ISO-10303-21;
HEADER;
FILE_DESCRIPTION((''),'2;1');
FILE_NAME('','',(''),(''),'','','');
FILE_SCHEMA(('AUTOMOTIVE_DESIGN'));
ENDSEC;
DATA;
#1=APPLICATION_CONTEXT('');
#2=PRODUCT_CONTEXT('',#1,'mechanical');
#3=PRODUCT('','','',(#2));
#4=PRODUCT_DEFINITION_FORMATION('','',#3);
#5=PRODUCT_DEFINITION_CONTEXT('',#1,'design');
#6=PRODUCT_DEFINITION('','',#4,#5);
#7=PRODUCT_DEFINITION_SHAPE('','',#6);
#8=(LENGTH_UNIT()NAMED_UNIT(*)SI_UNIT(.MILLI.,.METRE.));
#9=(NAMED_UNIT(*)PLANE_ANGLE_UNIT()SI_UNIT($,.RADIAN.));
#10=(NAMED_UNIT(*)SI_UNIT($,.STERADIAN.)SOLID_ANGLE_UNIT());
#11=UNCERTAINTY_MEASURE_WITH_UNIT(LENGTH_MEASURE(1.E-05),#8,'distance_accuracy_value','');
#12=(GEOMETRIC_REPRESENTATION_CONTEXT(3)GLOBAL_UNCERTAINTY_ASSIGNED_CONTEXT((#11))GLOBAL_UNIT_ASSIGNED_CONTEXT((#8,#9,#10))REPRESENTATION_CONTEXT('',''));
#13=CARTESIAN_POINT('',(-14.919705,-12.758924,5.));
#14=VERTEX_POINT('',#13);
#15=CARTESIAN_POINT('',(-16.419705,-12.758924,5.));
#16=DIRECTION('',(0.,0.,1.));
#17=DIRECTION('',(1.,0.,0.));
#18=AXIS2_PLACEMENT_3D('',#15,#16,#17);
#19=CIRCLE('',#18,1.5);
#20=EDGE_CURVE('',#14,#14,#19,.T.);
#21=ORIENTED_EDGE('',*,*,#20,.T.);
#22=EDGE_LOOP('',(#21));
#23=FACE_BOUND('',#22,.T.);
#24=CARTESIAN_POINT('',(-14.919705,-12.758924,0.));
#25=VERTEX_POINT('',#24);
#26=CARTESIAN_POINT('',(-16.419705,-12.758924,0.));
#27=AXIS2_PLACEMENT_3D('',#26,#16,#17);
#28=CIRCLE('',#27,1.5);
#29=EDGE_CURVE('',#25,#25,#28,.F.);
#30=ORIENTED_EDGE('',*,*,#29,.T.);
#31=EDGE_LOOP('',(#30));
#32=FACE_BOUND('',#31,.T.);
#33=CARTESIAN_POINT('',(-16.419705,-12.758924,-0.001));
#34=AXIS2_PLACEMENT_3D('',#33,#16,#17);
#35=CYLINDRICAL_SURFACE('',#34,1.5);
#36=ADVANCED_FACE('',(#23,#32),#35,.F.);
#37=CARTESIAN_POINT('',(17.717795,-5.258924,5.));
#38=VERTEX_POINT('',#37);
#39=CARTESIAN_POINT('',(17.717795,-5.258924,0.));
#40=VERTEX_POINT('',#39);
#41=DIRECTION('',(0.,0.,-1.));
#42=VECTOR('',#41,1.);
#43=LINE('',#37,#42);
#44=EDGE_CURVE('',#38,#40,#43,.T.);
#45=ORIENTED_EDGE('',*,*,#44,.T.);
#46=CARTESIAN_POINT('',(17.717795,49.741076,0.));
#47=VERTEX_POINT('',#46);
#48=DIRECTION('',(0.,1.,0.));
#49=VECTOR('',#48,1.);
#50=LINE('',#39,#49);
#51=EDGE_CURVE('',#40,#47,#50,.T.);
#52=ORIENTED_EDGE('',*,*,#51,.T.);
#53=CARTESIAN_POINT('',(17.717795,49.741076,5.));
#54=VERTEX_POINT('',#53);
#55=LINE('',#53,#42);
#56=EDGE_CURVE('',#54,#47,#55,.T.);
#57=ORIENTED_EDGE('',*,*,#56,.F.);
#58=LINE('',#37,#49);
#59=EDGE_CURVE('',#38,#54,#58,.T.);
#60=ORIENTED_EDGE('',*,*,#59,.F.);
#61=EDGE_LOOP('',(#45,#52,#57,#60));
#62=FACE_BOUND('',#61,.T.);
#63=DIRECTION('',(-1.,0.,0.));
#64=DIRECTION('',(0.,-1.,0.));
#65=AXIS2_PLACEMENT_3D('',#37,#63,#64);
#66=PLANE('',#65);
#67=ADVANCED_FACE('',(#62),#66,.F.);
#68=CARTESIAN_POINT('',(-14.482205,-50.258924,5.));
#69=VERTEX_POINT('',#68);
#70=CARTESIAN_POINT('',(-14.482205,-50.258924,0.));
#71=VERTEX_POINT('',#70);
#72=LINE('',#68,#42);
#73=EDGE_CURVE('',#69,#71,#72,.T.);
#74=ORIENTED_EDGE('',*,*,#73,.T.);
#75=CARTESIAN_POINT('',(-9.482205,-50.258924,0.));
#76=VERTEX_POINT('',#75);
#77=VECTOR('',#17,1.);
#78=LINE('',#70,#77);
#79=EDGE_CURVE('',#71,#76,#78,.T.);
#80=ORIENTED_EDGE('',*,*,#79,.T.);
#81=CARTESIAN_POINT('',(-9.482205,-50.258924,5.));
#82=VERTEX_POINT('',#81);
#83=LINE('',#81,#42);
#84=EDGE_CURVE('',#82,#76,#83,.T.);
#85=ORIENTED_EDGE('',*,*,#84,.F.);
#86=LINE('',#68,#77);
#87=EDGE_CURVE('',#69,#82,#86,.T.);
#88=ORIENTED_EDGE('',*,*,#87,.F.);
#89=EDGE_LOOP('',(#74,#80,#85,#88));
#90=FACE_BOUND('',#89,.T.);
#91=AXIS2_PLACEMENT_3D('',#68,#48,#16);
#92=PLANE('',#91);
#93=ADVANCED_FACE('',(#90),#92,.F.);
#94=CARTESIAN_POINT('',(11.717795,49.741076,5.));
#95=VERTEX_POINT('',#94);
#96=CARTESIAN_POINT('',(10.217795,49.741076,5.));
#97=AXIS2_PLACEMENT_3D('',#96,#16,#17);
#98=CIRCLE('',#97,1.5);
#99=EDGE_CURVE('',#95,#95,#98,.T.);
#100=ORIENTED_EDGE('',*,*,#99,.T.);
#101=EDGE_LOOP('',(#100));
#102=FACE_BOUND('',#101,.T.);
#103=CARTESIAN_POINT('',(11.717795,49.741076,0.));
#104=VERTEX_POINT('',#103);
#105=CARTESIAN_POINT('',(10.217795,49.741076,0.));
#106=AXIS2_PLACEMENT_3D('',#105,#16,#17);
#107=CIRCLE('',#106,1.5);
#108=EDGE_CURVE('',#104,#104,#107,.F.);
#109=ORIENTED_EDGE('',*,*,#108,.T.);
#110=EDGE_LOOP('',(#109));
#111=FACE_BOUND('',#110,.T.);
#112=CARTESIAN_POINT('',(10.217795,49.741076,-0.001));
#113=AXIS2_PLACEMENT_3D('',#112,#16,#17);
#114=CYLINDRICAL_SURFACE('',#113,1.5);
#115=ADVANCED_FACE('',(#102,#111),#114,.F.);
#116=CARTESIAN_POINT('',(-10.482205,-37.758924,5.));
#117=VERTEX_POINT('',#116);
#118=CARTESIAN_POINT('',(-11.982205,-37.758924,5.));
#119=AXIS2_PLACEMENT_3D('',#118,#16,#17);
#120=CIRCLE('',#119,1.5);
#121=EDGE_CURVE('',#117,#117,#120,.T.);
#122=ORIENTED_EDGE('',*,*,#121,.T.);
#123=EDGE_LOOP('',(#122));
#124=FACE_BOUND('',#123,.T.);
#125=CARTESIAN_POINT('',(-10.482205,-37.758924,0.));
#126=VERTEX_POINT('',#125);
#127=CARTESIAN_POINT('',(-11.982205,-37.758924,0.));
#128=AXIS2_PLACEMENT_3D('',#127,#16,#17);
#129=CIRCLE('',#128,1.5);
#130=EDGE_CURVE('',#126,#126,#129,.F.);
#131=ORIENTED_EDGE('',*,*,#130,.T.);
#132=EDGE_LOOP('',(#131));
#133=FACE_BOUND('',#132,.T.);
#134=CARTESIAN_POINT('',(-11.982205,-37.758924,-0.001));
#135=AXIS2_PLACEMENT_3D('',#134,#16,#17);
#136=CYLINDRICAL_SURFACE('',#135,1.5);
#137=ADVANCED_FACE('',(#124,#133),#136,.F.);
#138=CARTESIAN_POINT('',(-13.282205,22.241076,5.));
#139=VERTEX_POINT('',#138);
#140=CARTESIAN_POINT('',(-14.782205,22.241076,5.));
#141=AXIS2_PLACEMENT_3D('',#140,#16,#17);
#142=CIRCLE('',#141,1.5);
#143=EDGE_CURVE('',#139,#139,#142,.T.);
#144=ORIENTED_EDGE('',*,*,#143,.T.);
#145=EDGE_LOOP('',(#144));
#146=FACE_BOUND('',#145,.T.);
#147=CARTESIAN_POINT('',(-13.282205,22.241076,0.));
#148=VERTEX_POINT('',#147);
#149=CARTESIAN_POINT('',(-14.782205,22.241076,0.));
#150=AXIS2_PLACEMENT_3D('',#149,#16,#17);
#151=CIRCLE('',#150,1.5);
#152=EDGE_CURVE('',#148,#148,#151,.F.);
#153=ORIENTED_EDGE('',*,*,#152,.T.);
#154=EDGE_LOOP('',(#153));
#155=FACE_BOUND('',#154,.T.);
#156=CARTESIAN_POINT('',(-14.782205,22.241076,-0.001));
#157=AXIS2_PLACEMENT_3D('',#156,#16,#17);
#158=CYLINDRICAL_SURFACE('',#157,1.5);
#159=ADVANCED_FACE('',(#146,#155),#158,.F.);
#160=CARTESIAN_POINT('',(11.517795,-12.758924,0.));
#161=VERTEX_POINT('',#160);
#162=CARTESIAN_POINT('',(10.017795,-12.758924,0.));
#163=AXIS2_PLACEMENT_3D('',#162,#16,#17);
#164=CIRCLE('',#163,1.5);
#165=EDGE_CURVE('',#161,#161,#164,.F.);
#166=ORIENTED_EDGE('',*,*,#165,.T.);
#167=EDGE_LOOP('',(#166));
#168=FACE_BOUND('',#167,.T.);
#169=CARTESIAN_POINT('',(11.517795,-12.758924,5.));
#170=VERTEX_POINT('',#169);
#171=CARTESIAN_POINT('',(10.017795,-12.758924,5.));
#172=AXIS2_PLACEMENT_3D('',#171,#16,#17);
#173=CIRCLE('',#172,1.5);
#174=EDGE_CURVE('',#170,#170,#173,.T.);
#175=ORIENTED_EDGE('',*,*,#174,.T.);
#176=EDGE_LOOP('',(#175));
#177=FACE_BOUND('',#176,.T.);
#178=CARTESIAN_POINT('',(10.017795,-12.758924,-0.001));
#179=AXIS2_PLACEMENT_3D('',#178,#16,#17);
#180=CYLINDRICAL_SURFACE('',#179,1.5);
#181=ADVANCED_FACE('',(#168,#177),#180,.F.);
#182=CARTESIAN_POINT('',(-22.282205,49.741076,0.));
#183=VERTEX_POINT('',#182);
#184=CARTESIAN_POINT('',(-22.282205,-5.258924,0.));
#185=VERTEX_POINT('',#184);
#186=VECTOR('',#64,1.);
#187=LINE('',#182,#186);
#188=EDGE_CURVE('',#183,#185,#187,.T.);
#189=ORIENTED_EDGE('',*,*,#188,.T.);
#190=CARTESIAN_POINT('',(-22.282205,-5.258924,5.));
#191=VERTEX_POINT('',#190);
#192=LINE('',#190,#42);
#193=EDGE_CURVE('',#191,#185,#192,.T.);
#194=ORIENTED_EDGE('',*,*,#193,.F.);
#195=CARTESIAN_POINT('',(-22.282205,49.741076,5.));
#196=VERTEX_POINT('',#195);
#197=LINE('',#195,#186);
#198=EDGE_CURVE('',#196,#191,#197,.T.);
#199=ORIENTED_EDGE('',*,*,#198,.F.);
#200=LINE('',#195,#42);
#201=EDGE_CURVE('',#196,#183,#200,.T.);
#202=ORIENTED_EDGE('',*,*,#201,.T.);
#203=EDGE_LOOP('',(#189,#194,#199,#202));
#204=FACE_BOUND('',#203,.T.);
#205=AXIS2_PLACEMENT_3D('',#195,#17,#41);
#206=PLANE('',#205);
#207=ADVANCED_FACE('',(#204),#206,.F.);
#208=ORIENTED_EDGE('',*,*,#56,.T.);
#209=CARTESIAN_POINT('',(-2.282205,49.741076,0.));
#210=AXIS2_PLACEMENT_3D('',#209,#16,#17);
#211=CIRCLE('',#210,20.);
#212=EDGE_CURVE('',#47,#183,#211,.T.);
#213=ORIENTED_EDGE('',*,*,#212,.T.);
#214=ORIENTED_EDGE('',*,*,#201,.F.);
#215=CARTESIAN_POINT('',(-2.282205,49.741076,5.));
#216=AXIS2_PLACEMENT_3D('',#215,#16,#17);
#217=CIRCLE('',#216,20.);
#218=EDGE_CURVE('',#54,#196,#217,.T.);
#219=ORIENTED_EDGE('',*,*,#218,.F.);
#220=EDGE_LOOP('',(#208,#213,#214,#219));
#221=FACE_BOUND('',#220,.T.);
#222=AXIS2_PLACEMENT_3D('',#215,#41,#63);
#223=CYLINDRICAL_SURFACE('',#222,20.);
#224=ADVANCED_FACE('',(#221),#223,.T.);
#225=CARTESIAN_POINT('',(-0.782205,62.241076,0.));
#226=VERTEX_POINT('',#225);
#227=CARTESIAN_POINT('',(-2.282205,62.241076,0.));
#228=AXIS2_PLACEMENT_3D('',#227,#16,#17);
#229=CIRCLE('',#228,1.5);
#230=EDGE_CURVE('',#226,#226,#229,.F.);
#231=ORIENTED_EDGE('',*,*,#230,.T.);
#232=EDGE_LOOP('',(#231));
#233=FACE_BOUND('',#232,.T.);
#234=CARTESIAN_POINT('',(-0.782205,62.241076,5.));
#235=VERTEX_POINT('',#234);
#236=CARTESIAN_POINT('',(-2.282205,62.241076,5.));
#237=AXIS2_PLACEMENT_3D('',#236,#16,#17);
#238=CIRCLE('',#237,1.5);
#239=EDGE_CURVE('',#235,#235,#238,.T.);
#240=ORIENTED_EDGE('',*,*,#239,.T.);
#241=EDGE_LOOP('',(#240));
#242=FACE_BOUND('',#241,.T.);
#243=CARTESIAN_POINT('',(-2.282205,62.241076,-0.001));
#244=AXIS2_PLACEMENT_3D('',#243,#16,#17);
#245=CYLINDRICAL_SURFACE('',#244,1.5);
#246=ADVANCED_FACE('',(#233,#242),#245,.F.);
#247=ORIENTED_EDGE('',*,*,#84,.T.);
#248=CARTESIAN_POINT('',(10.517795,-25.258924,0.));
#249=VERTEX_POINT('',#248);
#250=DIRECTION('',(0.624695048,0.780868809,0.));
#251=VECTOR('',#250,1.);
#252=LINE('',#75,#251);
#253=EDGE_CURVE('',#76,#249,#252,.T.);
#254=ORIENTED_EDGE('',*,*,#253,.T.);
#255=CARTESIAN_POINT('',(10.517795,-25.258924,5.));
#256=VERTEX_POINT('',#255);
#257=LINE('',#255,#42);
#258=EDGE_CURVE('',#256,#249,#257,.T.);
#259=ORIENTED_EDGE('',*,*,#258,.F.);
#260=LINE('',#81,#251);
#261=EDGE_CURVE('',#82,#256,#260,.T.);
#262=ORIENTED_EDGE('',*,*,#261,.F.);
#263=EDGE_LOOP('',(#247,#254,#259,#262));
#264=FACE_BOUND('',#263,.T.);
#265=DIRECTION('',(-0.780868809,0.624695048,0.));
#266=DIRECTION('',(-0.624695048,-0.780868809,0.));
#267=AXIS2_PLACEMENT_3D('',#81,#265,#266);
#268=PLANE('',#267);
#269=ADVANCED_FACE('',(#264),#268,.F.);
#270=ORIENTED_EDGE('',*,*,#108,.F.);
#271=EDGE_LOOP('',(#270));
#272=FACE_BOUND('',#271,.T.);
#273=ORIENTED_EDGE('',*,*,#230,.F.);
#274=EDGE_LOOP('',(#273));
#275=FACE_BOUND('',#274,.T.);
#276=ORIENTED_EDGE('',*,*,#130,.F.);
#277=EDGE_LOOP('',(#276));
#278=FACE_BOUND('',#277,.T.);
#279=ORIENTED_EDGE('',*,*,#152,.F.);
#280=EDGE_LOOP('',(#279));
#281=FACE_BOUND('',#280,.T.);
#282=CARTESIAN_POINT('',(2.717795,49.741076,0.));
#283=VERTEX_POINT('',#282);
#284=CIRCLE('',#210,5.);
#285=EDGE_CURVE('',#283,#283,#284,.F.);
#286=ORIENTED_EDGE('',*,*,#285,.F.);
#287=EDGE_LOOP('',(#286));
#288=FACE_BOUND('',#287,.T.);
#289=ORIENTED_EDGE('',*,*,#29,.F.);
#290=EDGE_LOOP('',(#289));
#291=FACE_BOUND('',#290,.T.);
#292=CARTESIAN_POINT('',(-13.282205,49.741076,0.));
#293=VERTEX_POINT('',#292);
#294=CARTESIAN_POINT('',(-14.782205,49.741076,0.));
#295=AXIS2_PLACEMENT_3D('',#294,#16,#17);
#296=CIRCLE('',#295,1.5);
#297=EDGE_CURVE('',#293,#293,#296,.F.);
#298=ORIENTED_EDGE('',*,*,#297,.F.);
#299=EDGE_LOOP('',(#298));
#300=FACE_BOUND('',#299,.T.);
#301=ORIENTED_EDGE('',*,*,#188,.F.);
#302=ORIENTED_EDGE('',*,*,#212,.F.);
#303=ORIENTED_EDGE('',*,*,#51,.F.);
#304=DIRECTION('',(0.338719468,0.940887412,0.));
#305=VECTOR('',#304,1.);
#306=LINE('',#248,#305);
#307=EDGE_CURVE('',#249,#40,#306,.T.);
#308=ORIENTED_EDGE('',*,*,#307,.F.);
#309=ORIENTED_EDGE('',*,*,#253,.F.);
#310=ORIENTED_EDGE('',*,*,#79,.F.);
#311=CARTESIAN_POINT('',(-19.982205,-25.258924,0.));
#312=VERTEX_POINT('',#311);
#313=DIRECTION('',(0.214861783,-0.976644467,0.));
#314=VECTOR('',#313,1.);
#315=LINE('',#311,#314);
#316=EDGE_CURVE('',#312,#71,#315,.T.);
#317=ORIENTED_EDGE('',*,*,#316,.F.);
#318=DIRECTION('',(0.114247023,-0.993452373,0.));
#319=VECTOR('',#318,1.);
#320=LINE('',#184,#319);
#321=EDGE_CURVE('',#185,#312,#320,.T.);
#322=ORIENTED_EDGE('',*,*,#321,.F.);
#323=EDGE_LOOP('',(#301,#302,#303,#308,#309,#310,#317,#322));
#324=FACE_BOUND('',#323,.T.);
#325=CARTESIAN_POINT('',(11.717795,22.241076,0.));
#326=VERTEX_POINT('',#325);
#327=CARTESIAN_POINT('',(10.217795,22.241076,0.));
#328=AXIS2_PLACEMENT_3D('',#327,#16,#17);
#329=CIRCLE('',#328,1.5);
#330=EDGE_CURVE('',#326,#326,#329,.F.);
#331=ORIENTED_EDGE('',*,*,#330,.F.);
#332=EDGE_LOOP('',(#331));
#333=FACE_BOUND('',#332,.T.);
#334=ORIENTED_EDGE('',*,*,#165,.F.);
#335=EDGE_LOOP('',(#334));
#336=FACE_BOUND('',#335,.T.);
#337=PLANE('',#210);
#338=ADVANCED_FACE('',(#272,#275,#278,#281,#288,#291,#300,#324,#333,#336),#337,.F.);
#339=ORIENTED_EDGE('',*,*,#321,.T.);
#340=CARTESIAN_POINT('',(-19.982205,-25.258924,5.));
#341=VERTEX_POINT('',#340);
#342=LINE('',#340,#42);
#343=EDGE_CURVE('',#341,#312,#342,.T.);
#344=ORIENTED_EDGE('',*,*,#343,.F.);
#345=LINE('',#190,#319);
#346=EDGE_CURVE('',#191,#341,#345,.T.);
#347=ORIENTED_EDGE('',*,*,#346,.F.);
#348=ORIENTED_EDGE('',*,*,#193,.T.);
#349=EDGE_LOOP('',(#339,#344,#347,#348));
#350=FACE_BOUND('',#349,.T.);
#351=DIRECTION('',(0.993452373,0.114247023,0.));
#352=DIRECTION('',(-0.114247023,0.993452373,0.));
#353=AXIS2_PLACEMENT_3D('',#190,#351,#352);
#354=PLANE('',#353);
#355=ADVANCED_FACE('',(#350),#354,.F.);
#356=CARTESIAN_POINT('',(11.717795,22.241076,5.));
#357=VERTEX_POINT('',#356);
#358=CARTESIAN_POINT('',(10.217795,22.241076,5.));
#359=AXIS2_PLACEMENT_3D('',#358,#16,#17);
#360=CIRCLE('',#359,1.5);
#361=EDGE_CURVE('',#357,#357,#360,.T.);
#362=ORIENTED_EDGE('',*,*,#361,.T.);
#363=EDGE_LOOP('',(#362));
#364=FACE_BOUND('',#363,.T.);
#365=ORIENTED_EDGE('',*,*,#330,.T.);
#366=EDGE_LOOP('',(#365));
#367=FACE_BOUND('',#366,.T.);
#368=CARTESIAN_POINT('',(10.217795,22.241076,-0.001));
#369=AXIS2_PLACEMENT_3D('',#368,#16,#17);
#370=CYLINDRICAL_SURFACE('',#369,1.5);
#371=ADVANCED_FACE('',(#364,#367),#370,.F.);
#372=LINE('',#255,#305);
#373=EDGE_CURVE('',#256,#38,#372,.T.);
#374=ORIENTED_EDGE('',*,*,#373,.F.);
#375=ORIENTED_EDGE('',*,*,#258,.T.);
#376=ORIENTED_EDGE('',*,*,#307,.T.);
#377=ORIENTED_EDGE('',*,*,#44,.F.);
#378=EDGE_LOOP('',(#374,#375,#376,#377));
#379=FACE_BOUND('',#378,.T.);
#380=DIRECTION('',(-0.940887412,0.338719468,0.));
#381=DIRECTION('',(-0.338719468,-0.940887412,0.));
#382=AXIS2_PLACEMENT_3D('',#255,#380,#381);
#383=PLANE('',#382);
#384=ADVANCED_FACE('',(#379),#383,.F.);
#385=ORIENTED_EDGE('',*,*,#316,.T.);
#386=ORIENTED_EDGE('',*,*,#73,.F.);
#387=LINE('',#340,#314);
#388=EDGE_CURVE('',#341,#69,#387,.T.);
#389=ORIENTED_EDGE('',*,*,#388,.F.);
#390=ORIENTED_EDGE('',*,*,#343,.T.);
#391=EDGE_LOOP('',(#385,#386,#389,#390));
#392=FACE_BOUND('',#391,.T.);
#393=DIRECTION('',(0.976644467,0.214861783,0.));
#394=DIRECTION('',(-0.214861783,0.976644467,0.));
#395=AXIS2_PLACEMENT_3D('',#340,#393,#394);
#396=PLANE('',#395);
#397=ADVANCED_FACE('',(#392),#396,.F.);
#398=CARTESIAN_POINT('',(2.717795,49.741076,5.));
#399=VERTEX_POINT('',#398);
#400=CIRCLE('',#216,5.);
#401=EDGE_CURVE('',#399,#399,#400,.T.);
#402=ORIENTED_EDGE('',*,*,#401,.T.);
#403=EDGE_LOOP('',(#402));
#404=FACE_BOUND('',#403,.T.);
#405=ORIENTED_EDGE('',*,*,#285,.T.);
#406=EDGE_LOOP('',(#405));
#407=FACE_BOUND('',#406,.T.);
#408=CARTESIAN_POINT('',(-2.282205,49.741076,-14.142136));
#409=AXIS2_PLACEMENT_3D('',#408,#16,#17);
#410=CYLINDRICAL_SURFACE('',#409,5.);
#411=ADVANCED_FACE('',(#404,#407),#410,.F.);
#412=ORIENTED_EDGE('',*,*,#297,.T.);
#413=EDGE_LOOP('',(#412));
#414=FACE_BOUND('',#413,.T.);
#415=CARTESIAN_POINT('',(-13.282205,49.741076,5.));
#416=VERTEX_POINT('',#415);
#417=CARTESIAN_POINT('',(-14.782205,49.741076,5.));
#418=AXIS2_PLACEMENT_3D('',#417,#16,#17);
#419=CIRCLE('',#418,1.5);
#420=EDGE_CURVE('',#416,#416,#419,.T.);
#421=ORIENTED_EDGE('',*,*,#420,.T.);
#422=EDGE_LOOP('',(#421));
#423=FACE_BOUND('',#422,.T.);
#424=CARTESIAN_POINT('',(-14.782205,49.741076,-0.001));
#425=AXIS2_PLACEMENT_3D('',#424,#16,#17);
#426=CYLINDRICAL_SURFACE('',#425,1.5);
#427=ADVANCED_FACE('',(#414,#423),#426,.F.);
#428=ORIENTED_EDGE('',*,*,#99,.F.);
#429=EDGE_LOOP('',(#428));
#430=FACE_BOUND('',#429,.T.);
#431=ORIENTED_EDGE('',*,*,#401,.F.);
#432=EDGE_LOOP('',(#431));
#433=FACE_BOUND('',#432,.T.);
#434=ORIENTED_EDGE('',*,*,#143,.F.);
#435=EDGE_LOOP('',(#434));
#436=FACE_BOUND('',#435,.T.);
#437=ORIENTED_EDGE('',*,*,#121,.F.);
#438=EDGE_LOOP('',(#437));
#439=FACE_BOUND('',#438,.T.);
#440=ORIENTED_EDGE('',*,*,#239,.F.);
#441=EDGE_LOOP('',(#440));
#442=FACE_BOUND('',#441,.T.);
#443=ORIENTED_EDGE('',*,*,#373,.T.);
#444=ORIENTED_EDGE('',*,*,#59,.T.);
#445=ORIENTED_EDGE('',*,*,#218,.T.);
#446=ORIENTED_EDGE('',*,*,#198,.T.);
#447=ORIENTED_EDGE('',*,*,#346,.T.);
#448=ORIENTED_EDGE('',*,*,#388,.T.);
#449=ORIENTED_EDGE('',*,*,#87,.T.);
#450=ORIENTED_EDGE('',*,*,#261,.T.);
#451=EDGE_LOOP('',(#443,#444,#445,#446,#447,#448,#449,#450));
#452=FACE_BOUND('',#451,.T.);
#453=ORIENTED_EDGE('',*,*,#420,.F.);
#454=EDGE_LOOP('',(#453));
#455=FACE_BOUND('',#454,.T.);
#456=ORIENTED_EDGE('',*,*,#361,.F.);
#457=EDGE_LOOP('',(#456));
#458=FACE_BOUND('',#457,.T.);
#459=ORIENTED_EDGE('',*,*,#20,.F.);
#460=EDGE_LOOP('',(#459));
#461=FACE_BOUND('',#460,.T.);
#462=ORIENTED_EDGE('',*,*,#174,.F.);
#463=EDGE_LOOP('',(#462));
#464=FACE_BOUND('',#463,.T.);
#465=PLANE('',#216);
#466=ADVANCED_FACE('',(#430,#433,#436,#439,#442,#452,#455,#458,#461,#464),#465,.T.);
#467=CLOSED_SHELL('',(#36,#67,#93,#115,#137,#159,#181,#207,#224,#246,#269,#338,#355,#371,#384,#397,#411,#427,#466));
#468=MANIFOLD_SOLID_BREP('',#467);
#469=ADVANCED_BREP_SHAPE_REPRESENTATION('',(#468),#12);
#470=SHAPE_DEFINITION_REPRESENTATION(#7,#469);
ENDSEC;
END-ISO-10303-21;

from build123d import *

# Parameters (mm, degrees)
EXTRUDE_1_DEPTH     = 5
SKETCH_2_R          = 5
CUT_EXTRUDE_1_DEPTH = 5
CUT_EXTRUDE_2_REACH = 75.385
SKETCH_3_R          = 1.5


with BuildPart() as part:
    # 草图1 → 凸台-拉伸1 (new body)
    with BuildSketch(Plane.XY):
        with BuildLine():
            Line((-22.282205337, 49.741076161), (-22.282205337, -5.258923839))
            Line((-22.282205337, -5.258923839), (-19.982205337, -25.258923839))
            Line((-19.982205337, -25.258923839), (-14.482205337, -50.258923839))
            Line((-14.482205337, -50.258923839), (-9.482205337, -50.258923839))
            Line((-9.482205337, -50.258923839), (10.517794663, -25.258923839))
            Line((10.517794663, -25.258923839), (17.717794663, -5.258923839))
            Line((17.717794663, -5.258923839), (17.717794663, 49.741076161))
            ThreePointArc((17.717794663, 49.741076161), (-2.282205337, 69.741076161), (-22.282205337, 49.741076161))
        make_face()
    extrude(amount=EXTRUDE_1_DEPTH)

    # 草图2 → 切除-拉伸1 (cut)
    with BuildSketch(Plane.XY.offset(5)):
        with Locations((-2.282205337, 49.741076161)):
            Circle(SKETCH_2_R)
    extrude(amount=-CUT_EXTRUDE_1_DEPTH, mode=Mode.SUBTRACT)

    # 草图3 → 切除-拉伸2 (cut, up to next)
    with BuildSketch(Plane.XY.offset(5), mode=Mode.PRIVATE) as cut_extrude_2_sk1:
        with Locations((-11.982205337, -37.758923839)):
            Circle(SKETCH_3_R)
    cut_extrude_2_tool1 = extrude(cut_extrude_2_sk1.sketch, amount=-CUT_EXTRUDE_2_REACH, mode=Mode.PRIVATE) & part.part
    # 草图3 → 切除-拉伸2 (cut, up to next)
    with BuildSketch(Plane.XY.offset(5), mode=Mode.PRIVATE) as cut_extrude_2_sk2:
        with Locations((-14.782205337, 49.741076161)):
            Circle(SKETCH_3_R)
    cut_extrude_2_tool2 = extrude(cut_extrude_2_sk2.sketch, amount=-CUT_EXTRUDE_2_REACH, mode=Mode.PRIVATE) & part.part
    # 草图3 → 切除-拉伸2 (cut, up to next)
    with BuildSketch(Plane.XY.offset(5), mode=Mode.PRIVATE) as cut_extrude_2_sk3:
        with Locations((10.217794663, 49.741076161)):
            Circle(SKETCH_3_R)
    cut_extrude_2_tool3 = extrude(cut_extrude_2_sk3.sketch, amount=-CUT_EXTRUDE_2_REACH, mode=Mode.PRIVATE) & part.part
    # 草图3 → 切除-拉伸2 (cut, up to next)
    with BuildSketch(Plane.XY.offset(5), mode=Mode.PRIVATE) as cut_extrude_2_sk4:
        with Locations((-2.282205337, 62.241076161)):
            Circle(SKETCH_3_R)
    cut_extrude_2_tool4 = extrude(cut_extrude_2_sk4.sketch, amount=-CUT_EXTRUDE_2_REACH, mode=Mode.PRIVATE) & part.part
    # 草图3 → 切除-拉伸2 (cut, up to next)
    with BuildSketch(Plane.XY.offset(5), mode=Mode.PRIVATE) as cut_extrude_2_sk5:
        with Locations((10.217794663, 22.241076161)):
            Circle(SKETCH_3_R)
    cut_extrude_2_tool5 = extrude(cut_extrude_2_sk5.sketch, amount=-CUT_EXTRUDE_2_REACH, mode=Mode.PRIVATE) & part.part
    # 草图3 → 切除-拉伸2 (cut, up to next)
    with BuildSketch(Plane.XY.offset(5), mode=Mode.PRIVATE) as cut_extrude_2_sk6:
        with Locations((-14.782205337, 22.241076161)):
            Circle(SKETCH_3_R)
    cut_extrude_2_tool6 = extrude(cut_extrude_2_sk6.sketch, amount=-CUT_EXTRUDE_2_REACH, mode=Mode.PRIVATE) & part.part
    # 草图3 → 切除-拉伸2 (cut, up to next)
    with BuildSketch(Plane.XY.offset(5), mode=Mode.PRIVATE) as cut_extrude_2_sk7:
        with Locations((-16.419705337, -12.758923839)):
            Circle(SKETCH_3_R)
    cut_extrude_2_tool7 = extrude(cut_extrude_2_sk7.sketch, amount=-CUT_EXTRUDE_2_REACH, mode=Mode.PRIVATE) & part.part
    # 草图3 → 切除-拉伸2 (cut, up to next)
    with BuildSketch(Plane.XY.offset(5), mode=Mode.PRIVATE) as cut_extrude_2_sk8:
        with Locations((10.017794663, -12.758923839)):
            Circle(SKETCH_3_R)
    cut_extrude_2_tool8 = extrude(cut_extrude_2_sk8.sketch, amount=-CUT_EXTRUDE_2_REACH, mode=Mode.PRIVATE) & part.part
    add(cut_extrude_2_tool1.solids().sort_by_distance((-11.982205, -37.758924, 5))[0], mode=Mode.SUBTRACT)
    add(cut_extrude_2_tool2.solids().sort_by_distance((-14.782205, 49.741076, 5))[0], mode=Mode.SUBTRACT)
    add(cut_extrude_2_tool3.solids().sort_by_distance((10.217795, 49.741076, 5))[0], mode=Mode.SUBTRACT)
    add(cut_extrude_2_tool4.solids().sort_by_distance((-2.282205, 62.241076, 5))[0], mode=Mode.SUBTRACT)
    add(cut_extrude_2_tool5.solids().sort_by_distance((10.217795, 22.241076, 5))[0], mode=Mode.SUBTRACT)
    add(cut_extrude_2_tool6.solids().sort_by_distance((-14.782205, 22.241076, 5))[0], mode=Mode.SUBTRACT)
    add(cut_extrude_2_tool7.solids().sort_by_distance((-16.419705, -12.758924, 5))[0], mode=Mode.SUBTRACT)
    add(cut_extrude_2_tool8.solids().sort_by_distance((10.017795, -12.758924, 5))[0], mode=Mode.SUBTRACT)


solid = part.part
